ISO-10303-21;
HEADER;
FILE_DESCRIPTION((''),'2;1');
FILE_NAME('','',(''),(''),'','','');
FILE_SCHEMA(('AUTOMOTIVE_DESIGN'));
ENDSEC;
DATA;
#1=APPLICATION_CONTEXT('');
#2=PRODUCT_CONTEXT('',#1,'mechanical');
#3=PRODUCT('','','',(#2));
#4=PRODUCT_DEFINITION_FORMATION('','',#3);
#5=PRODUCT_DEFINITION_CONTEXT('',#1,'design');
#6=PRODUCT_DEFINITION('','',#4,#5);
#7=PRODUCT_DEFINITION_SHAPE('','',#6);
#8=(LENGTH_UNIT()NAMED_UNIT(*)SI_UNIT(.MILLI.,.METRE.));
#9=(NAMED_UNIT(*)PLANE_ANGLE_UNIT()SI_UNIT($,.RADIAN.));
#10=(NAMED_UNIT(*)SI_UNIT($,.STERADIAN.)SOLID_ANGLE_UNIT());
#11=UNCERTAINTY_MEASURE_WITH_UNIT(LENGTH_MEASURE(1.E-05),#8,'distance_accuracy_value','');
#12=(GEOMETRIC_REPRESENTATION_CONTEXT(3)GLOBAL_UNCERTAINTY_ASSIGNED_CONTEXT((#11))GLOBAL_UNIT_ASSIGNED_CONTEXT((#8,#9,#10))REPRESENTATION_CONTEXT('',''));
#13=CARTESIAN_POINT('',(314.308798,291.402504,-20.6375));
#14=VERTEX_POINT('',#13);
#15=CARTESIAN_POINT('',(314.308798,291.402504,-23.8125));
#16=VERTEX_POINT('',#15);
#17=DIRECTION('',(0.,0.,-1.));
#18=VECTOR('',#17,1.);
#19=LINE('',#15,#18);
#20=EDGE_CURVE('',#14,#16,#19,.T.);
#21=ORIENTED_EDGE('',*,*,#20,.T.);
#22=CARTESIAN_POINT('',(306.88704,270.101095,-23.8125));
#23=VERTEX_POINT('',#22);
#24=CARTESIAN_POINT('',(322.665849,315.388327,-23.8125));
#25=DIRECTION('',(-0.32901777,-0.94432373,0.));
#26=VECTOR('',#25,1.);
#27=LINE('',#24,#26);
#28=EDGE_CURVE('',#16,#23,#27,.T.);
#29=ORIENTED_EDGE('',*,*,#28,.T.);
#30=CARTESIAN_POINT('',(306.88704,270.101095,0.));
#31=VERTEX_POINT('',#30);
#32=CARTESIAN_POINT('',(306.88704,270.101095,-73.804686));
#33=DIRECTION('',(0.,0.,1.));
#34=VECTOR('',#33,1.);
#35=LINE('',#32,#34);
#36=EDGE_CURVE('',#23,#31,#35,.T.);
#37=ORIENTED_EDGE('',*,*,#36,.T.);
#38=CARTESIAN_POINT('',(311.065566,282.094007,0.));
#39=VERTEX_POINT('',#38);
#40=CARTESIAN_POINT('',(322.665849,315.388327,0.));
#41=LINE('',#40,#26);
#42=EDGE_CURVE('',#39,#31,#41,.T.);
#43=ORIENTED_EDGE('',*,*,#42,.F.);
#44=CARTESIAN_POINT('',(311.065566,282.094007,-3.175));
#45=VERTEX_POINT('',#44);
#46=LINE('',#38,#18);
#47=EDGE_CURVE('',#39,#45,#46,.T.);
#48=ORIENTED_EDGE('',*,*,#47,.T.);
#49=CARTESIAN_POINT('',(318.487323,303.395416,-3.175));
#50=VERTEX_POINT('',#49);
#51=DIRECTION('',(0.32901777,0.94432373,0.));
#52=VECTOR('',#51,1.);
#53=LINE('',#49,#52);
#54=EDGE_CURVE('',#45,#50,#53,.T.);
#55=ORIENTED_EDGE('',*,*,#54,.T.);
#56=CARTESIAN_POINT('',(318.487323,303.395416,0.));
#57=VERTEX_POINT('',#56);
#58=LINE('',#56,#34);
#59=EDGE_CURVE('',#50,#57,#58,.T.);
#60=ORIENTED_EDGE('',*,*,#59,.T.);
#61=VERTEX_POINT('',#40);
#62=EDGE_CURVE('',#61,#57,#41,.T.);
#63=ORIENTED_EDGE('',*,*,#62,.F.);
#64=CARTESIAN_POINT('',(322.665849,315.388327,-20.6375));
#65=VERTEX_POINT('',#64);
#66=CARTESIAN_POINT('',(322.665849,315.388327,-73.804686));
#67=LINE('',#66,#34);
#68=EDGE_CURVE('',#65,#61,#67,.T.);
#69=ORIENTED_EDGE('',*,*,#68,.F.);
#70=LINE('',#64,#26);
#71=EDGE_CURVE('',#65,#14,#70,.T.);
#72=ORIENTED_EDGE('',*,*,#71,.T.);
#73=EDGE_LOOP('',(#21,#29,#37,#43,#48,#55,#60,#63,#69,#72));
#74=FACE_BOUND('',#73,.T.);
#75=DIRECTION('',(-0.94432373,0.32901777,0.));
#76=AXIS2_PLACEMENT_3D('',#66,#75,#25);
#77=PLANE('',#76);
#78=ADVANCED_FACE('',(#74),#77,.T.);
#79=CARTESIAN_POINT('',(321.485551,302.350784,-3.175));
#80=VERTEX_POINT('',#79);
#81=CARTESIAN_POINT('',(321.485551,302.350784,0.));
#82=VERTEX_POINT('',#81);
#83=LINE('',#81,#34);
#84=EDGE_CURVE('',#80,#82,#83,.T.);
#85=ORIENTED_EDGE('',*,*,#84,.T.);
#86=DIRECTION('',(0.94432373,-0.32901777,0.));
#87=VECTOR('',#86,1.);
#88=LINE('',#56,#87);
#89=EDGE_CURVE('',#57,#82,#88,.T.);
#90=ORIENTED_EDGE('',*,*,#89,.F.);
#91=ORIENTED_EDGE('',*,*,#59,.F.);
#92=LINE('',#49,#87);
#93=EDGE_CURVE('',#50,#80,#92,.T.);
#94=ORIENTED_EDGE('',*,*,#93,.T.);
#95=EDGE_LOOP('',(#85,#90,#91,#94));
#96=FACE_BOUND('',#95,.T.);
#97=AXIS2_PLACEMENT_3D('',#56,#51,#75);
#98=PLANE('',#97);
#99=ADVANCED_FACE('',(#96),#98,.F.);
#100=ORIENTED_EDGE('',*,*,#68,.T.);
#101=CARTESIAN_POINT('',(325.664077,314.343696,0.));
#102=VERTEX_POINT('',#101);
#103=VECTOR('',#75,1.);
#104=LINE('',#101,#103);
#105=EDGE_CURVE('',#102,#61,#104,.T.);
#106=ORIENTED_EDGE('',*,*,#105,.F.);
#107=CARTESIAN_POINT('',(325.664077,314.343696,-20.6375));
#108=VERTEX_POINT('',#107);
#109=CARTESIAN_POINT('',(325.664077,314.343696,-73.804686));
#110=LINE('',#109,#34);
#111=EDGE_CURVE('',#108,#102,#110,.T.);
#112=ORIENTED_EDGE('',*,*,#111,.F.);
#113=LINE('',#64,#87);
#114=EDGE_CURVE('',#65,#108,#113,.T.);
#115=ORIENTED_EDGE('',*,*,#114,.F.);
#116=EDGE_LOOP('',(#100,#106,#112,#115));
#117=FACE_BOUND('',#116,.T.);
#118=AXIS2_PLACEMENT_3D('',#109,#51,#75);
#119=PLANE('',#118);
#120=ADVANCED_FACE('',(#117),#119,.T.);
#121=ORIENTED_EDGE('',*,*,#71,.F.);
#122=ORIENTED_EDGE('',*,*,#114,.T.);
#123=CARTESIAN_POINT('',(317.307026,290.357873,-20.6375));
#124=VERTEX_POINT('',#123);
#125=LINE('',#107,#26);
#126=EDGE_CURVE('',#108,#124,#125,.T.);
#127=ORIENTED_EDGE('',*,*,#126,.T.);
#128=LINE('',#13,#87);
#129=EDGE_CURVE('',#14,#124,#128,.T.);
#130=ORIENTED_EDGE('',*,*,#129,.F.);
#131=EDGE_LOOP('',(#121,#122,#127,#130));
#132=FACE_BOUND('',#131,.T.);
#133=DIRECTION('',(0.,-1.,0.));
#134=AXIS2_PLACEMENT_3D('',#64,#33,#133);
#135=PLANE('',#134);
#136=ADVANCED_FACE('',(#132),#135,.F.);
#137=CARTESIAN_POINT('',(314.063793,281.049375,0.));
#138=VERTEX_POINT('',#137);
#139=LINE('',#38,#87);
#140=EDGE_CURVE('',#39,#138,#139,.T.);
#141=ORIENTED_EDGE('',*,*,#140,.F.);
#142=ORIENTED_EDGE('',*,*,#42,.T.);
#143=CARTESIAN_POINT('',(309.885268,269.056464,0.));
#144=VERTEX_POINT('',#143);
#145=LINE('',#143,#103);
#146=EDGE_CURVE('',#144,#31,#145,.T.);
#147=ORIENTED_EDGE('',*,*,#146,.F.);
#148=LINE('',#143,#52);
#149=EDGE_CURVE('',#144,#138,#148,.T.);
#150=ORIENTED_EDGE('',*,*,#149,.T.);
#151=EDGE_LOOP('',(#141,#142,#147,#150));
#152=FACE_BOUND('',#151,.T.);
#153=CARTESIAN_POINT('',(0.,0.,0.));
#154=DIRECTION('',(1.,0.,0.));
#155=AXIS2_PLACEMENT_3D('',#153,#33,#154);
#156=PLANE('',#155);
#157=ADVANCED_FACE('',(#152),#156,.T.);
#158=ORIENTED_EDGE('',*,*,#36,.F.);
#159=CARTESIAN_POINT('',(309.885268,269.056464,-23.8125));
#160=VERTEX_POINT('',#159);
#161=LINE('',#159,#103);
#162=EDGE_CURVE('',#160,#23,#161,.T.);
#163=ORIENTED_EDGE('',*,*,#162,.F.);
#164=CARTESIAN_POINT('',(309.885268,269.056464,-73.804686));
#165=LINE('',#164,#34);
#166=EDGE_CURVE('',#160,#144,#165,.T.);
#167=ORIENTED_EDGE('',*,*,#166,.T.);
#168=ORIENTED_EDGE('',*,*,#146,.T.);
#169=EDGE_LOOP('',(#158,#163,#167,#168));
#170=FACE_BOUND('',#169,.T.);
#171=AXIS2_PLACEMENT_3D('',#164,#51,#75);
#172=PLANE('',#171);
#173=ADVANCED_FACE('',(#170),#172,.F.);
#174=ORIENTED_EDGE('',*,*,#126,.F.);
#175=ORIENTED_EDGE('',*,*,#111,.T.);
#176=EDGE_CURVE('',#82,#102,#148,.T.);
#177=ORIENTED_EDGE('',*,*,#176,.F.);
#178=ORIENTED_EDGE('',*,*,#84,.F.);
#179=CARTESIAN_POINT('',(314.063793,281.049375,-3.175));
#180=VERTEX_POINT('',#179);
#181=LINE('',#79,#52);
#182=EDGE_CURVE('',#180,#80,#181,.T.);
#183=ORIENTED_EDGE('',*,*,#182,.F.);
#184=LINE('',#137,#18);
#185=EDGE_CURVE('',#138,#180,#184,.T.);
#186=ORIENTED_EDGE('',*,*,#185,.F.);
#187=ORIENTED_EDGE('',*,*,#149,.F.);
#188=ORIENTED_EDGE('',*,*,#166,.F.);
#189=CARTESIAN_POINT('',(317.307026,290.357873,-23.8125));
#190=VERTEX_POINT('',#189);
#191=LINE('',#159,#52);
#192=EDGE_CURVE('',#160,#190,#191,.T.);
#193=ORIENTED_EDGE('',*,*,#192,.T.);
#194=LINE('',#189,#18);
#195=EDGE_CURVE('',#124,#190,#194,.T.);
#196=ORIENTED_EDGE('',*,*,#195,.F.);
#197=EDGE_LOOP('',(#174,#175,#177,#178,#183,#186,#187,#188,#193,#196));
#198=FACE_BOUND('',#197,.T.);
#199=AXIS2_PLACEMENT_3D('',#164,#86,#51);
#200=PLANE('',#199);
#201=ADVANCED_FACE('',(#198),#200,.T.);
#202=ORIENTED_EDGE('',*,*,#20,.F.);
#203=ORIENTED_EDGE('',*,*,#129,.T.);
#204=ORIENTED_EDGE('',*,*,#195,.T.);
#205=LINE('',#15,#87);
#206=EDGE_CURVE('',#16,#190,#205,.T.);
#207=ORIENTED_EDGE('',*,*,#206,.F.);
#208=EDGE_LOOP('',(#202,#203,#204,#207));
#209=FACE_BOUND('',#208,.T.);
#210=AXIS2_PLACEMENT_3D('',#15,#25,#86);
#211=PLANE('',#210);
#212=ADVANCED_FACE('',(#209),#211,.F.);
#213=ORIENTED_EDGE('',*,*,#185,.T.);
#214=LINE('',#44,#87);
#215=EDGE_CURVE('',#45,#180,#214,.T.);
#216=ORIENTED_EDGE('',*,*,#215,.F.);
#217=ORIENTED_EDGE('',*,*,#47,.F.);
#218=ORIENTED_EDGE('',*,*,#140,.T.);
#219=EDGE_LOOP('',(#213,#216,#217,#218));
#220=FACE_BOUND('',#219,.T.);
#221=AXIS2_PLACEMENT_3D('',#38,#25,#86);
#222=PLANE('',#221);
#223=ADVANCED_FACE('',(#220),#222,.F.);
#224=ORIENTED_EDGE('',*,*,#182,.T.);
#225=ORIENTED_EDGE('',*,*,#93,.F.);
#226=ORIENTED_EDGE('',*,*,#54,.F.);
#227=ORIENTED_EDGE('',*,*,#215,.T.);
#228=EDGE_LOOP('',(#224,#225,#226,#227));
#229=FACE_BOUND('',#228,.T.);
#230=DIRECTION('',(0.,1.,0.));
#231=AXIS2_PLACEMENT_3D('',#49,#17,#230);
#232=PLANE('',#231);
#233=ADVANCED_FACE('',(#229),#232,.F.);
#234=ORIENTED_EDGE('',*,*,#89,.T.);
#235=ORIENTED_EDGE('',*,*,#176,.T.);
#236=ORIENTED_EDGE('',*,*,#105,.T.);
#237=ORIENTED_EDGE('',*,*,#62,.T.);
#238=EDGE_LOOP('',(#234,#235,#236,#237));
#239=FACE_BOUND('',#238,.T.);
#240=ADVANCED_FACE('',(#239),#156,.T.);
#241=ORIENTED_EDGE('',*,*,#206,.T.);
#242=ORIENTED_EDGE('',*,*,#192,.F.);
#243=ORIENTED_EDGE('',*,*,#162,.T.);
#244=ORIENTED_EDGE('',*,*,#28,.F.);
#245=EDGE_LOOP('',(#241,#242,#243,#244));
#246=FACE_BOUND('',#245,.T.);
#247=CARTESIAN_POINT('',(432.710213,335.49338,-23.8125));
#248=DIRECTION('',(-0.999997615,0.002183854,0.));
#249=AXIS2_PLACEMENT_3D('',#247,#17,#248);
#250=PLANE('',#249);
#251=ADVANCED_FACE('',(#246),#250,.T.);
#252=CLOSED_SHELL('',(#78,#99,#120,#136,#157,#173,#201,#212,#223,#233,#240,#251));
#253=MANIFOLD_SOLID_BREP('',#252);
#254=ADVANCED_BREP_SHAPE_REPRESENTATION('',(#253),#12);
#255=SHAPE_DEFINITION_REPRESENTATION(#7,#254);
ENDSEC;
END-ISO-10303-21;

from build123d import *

# Parameters (mm, degrees)
BOSS_EXTRUDE1_DEPTH = 23.8125
SKETCH2_W           = 3.175
SKETCH2_H           = 25.4
SKETCH2_H_2         = 22.557316078
CUT_EXTRUDE1_DEPTH  = 3.175


with BuildPart() as part:
    # Sketch1 → Boss-Extrude1 (new body)
    with BuildSketch(Plane.XY):
        Polygon((322.665849031, 315.38832698), (306.887039832, 270.101095383), (309.885267674, 269.056463963), (325.664076873, 314.34369556), align=None)
    extrude(amount=-BOSS_EXTRUDE1_DEPTH)

    # Sketch2 → Cut-Extrude1 (cut)
    with BuildSketch(Plane(origin=(192.743701136, -67.155045192, 0), x_dir=(0, 0, -1), z_dir=(0.94432373, -0.32901777, 0))):
        with Locations((22.225, 391.291479466)):
            Rectangle(SKETCH2_W, SKETCH2_H)
        with Locations((1.5875, 380.012821427)):
            Rectangle(SKETCH2_W, SKETCH2_H_2)
    extrude(amount=-CUT_EXTRUDE1_DEPTH, mode=Mode.SUBTRACT)


solid = part.part
